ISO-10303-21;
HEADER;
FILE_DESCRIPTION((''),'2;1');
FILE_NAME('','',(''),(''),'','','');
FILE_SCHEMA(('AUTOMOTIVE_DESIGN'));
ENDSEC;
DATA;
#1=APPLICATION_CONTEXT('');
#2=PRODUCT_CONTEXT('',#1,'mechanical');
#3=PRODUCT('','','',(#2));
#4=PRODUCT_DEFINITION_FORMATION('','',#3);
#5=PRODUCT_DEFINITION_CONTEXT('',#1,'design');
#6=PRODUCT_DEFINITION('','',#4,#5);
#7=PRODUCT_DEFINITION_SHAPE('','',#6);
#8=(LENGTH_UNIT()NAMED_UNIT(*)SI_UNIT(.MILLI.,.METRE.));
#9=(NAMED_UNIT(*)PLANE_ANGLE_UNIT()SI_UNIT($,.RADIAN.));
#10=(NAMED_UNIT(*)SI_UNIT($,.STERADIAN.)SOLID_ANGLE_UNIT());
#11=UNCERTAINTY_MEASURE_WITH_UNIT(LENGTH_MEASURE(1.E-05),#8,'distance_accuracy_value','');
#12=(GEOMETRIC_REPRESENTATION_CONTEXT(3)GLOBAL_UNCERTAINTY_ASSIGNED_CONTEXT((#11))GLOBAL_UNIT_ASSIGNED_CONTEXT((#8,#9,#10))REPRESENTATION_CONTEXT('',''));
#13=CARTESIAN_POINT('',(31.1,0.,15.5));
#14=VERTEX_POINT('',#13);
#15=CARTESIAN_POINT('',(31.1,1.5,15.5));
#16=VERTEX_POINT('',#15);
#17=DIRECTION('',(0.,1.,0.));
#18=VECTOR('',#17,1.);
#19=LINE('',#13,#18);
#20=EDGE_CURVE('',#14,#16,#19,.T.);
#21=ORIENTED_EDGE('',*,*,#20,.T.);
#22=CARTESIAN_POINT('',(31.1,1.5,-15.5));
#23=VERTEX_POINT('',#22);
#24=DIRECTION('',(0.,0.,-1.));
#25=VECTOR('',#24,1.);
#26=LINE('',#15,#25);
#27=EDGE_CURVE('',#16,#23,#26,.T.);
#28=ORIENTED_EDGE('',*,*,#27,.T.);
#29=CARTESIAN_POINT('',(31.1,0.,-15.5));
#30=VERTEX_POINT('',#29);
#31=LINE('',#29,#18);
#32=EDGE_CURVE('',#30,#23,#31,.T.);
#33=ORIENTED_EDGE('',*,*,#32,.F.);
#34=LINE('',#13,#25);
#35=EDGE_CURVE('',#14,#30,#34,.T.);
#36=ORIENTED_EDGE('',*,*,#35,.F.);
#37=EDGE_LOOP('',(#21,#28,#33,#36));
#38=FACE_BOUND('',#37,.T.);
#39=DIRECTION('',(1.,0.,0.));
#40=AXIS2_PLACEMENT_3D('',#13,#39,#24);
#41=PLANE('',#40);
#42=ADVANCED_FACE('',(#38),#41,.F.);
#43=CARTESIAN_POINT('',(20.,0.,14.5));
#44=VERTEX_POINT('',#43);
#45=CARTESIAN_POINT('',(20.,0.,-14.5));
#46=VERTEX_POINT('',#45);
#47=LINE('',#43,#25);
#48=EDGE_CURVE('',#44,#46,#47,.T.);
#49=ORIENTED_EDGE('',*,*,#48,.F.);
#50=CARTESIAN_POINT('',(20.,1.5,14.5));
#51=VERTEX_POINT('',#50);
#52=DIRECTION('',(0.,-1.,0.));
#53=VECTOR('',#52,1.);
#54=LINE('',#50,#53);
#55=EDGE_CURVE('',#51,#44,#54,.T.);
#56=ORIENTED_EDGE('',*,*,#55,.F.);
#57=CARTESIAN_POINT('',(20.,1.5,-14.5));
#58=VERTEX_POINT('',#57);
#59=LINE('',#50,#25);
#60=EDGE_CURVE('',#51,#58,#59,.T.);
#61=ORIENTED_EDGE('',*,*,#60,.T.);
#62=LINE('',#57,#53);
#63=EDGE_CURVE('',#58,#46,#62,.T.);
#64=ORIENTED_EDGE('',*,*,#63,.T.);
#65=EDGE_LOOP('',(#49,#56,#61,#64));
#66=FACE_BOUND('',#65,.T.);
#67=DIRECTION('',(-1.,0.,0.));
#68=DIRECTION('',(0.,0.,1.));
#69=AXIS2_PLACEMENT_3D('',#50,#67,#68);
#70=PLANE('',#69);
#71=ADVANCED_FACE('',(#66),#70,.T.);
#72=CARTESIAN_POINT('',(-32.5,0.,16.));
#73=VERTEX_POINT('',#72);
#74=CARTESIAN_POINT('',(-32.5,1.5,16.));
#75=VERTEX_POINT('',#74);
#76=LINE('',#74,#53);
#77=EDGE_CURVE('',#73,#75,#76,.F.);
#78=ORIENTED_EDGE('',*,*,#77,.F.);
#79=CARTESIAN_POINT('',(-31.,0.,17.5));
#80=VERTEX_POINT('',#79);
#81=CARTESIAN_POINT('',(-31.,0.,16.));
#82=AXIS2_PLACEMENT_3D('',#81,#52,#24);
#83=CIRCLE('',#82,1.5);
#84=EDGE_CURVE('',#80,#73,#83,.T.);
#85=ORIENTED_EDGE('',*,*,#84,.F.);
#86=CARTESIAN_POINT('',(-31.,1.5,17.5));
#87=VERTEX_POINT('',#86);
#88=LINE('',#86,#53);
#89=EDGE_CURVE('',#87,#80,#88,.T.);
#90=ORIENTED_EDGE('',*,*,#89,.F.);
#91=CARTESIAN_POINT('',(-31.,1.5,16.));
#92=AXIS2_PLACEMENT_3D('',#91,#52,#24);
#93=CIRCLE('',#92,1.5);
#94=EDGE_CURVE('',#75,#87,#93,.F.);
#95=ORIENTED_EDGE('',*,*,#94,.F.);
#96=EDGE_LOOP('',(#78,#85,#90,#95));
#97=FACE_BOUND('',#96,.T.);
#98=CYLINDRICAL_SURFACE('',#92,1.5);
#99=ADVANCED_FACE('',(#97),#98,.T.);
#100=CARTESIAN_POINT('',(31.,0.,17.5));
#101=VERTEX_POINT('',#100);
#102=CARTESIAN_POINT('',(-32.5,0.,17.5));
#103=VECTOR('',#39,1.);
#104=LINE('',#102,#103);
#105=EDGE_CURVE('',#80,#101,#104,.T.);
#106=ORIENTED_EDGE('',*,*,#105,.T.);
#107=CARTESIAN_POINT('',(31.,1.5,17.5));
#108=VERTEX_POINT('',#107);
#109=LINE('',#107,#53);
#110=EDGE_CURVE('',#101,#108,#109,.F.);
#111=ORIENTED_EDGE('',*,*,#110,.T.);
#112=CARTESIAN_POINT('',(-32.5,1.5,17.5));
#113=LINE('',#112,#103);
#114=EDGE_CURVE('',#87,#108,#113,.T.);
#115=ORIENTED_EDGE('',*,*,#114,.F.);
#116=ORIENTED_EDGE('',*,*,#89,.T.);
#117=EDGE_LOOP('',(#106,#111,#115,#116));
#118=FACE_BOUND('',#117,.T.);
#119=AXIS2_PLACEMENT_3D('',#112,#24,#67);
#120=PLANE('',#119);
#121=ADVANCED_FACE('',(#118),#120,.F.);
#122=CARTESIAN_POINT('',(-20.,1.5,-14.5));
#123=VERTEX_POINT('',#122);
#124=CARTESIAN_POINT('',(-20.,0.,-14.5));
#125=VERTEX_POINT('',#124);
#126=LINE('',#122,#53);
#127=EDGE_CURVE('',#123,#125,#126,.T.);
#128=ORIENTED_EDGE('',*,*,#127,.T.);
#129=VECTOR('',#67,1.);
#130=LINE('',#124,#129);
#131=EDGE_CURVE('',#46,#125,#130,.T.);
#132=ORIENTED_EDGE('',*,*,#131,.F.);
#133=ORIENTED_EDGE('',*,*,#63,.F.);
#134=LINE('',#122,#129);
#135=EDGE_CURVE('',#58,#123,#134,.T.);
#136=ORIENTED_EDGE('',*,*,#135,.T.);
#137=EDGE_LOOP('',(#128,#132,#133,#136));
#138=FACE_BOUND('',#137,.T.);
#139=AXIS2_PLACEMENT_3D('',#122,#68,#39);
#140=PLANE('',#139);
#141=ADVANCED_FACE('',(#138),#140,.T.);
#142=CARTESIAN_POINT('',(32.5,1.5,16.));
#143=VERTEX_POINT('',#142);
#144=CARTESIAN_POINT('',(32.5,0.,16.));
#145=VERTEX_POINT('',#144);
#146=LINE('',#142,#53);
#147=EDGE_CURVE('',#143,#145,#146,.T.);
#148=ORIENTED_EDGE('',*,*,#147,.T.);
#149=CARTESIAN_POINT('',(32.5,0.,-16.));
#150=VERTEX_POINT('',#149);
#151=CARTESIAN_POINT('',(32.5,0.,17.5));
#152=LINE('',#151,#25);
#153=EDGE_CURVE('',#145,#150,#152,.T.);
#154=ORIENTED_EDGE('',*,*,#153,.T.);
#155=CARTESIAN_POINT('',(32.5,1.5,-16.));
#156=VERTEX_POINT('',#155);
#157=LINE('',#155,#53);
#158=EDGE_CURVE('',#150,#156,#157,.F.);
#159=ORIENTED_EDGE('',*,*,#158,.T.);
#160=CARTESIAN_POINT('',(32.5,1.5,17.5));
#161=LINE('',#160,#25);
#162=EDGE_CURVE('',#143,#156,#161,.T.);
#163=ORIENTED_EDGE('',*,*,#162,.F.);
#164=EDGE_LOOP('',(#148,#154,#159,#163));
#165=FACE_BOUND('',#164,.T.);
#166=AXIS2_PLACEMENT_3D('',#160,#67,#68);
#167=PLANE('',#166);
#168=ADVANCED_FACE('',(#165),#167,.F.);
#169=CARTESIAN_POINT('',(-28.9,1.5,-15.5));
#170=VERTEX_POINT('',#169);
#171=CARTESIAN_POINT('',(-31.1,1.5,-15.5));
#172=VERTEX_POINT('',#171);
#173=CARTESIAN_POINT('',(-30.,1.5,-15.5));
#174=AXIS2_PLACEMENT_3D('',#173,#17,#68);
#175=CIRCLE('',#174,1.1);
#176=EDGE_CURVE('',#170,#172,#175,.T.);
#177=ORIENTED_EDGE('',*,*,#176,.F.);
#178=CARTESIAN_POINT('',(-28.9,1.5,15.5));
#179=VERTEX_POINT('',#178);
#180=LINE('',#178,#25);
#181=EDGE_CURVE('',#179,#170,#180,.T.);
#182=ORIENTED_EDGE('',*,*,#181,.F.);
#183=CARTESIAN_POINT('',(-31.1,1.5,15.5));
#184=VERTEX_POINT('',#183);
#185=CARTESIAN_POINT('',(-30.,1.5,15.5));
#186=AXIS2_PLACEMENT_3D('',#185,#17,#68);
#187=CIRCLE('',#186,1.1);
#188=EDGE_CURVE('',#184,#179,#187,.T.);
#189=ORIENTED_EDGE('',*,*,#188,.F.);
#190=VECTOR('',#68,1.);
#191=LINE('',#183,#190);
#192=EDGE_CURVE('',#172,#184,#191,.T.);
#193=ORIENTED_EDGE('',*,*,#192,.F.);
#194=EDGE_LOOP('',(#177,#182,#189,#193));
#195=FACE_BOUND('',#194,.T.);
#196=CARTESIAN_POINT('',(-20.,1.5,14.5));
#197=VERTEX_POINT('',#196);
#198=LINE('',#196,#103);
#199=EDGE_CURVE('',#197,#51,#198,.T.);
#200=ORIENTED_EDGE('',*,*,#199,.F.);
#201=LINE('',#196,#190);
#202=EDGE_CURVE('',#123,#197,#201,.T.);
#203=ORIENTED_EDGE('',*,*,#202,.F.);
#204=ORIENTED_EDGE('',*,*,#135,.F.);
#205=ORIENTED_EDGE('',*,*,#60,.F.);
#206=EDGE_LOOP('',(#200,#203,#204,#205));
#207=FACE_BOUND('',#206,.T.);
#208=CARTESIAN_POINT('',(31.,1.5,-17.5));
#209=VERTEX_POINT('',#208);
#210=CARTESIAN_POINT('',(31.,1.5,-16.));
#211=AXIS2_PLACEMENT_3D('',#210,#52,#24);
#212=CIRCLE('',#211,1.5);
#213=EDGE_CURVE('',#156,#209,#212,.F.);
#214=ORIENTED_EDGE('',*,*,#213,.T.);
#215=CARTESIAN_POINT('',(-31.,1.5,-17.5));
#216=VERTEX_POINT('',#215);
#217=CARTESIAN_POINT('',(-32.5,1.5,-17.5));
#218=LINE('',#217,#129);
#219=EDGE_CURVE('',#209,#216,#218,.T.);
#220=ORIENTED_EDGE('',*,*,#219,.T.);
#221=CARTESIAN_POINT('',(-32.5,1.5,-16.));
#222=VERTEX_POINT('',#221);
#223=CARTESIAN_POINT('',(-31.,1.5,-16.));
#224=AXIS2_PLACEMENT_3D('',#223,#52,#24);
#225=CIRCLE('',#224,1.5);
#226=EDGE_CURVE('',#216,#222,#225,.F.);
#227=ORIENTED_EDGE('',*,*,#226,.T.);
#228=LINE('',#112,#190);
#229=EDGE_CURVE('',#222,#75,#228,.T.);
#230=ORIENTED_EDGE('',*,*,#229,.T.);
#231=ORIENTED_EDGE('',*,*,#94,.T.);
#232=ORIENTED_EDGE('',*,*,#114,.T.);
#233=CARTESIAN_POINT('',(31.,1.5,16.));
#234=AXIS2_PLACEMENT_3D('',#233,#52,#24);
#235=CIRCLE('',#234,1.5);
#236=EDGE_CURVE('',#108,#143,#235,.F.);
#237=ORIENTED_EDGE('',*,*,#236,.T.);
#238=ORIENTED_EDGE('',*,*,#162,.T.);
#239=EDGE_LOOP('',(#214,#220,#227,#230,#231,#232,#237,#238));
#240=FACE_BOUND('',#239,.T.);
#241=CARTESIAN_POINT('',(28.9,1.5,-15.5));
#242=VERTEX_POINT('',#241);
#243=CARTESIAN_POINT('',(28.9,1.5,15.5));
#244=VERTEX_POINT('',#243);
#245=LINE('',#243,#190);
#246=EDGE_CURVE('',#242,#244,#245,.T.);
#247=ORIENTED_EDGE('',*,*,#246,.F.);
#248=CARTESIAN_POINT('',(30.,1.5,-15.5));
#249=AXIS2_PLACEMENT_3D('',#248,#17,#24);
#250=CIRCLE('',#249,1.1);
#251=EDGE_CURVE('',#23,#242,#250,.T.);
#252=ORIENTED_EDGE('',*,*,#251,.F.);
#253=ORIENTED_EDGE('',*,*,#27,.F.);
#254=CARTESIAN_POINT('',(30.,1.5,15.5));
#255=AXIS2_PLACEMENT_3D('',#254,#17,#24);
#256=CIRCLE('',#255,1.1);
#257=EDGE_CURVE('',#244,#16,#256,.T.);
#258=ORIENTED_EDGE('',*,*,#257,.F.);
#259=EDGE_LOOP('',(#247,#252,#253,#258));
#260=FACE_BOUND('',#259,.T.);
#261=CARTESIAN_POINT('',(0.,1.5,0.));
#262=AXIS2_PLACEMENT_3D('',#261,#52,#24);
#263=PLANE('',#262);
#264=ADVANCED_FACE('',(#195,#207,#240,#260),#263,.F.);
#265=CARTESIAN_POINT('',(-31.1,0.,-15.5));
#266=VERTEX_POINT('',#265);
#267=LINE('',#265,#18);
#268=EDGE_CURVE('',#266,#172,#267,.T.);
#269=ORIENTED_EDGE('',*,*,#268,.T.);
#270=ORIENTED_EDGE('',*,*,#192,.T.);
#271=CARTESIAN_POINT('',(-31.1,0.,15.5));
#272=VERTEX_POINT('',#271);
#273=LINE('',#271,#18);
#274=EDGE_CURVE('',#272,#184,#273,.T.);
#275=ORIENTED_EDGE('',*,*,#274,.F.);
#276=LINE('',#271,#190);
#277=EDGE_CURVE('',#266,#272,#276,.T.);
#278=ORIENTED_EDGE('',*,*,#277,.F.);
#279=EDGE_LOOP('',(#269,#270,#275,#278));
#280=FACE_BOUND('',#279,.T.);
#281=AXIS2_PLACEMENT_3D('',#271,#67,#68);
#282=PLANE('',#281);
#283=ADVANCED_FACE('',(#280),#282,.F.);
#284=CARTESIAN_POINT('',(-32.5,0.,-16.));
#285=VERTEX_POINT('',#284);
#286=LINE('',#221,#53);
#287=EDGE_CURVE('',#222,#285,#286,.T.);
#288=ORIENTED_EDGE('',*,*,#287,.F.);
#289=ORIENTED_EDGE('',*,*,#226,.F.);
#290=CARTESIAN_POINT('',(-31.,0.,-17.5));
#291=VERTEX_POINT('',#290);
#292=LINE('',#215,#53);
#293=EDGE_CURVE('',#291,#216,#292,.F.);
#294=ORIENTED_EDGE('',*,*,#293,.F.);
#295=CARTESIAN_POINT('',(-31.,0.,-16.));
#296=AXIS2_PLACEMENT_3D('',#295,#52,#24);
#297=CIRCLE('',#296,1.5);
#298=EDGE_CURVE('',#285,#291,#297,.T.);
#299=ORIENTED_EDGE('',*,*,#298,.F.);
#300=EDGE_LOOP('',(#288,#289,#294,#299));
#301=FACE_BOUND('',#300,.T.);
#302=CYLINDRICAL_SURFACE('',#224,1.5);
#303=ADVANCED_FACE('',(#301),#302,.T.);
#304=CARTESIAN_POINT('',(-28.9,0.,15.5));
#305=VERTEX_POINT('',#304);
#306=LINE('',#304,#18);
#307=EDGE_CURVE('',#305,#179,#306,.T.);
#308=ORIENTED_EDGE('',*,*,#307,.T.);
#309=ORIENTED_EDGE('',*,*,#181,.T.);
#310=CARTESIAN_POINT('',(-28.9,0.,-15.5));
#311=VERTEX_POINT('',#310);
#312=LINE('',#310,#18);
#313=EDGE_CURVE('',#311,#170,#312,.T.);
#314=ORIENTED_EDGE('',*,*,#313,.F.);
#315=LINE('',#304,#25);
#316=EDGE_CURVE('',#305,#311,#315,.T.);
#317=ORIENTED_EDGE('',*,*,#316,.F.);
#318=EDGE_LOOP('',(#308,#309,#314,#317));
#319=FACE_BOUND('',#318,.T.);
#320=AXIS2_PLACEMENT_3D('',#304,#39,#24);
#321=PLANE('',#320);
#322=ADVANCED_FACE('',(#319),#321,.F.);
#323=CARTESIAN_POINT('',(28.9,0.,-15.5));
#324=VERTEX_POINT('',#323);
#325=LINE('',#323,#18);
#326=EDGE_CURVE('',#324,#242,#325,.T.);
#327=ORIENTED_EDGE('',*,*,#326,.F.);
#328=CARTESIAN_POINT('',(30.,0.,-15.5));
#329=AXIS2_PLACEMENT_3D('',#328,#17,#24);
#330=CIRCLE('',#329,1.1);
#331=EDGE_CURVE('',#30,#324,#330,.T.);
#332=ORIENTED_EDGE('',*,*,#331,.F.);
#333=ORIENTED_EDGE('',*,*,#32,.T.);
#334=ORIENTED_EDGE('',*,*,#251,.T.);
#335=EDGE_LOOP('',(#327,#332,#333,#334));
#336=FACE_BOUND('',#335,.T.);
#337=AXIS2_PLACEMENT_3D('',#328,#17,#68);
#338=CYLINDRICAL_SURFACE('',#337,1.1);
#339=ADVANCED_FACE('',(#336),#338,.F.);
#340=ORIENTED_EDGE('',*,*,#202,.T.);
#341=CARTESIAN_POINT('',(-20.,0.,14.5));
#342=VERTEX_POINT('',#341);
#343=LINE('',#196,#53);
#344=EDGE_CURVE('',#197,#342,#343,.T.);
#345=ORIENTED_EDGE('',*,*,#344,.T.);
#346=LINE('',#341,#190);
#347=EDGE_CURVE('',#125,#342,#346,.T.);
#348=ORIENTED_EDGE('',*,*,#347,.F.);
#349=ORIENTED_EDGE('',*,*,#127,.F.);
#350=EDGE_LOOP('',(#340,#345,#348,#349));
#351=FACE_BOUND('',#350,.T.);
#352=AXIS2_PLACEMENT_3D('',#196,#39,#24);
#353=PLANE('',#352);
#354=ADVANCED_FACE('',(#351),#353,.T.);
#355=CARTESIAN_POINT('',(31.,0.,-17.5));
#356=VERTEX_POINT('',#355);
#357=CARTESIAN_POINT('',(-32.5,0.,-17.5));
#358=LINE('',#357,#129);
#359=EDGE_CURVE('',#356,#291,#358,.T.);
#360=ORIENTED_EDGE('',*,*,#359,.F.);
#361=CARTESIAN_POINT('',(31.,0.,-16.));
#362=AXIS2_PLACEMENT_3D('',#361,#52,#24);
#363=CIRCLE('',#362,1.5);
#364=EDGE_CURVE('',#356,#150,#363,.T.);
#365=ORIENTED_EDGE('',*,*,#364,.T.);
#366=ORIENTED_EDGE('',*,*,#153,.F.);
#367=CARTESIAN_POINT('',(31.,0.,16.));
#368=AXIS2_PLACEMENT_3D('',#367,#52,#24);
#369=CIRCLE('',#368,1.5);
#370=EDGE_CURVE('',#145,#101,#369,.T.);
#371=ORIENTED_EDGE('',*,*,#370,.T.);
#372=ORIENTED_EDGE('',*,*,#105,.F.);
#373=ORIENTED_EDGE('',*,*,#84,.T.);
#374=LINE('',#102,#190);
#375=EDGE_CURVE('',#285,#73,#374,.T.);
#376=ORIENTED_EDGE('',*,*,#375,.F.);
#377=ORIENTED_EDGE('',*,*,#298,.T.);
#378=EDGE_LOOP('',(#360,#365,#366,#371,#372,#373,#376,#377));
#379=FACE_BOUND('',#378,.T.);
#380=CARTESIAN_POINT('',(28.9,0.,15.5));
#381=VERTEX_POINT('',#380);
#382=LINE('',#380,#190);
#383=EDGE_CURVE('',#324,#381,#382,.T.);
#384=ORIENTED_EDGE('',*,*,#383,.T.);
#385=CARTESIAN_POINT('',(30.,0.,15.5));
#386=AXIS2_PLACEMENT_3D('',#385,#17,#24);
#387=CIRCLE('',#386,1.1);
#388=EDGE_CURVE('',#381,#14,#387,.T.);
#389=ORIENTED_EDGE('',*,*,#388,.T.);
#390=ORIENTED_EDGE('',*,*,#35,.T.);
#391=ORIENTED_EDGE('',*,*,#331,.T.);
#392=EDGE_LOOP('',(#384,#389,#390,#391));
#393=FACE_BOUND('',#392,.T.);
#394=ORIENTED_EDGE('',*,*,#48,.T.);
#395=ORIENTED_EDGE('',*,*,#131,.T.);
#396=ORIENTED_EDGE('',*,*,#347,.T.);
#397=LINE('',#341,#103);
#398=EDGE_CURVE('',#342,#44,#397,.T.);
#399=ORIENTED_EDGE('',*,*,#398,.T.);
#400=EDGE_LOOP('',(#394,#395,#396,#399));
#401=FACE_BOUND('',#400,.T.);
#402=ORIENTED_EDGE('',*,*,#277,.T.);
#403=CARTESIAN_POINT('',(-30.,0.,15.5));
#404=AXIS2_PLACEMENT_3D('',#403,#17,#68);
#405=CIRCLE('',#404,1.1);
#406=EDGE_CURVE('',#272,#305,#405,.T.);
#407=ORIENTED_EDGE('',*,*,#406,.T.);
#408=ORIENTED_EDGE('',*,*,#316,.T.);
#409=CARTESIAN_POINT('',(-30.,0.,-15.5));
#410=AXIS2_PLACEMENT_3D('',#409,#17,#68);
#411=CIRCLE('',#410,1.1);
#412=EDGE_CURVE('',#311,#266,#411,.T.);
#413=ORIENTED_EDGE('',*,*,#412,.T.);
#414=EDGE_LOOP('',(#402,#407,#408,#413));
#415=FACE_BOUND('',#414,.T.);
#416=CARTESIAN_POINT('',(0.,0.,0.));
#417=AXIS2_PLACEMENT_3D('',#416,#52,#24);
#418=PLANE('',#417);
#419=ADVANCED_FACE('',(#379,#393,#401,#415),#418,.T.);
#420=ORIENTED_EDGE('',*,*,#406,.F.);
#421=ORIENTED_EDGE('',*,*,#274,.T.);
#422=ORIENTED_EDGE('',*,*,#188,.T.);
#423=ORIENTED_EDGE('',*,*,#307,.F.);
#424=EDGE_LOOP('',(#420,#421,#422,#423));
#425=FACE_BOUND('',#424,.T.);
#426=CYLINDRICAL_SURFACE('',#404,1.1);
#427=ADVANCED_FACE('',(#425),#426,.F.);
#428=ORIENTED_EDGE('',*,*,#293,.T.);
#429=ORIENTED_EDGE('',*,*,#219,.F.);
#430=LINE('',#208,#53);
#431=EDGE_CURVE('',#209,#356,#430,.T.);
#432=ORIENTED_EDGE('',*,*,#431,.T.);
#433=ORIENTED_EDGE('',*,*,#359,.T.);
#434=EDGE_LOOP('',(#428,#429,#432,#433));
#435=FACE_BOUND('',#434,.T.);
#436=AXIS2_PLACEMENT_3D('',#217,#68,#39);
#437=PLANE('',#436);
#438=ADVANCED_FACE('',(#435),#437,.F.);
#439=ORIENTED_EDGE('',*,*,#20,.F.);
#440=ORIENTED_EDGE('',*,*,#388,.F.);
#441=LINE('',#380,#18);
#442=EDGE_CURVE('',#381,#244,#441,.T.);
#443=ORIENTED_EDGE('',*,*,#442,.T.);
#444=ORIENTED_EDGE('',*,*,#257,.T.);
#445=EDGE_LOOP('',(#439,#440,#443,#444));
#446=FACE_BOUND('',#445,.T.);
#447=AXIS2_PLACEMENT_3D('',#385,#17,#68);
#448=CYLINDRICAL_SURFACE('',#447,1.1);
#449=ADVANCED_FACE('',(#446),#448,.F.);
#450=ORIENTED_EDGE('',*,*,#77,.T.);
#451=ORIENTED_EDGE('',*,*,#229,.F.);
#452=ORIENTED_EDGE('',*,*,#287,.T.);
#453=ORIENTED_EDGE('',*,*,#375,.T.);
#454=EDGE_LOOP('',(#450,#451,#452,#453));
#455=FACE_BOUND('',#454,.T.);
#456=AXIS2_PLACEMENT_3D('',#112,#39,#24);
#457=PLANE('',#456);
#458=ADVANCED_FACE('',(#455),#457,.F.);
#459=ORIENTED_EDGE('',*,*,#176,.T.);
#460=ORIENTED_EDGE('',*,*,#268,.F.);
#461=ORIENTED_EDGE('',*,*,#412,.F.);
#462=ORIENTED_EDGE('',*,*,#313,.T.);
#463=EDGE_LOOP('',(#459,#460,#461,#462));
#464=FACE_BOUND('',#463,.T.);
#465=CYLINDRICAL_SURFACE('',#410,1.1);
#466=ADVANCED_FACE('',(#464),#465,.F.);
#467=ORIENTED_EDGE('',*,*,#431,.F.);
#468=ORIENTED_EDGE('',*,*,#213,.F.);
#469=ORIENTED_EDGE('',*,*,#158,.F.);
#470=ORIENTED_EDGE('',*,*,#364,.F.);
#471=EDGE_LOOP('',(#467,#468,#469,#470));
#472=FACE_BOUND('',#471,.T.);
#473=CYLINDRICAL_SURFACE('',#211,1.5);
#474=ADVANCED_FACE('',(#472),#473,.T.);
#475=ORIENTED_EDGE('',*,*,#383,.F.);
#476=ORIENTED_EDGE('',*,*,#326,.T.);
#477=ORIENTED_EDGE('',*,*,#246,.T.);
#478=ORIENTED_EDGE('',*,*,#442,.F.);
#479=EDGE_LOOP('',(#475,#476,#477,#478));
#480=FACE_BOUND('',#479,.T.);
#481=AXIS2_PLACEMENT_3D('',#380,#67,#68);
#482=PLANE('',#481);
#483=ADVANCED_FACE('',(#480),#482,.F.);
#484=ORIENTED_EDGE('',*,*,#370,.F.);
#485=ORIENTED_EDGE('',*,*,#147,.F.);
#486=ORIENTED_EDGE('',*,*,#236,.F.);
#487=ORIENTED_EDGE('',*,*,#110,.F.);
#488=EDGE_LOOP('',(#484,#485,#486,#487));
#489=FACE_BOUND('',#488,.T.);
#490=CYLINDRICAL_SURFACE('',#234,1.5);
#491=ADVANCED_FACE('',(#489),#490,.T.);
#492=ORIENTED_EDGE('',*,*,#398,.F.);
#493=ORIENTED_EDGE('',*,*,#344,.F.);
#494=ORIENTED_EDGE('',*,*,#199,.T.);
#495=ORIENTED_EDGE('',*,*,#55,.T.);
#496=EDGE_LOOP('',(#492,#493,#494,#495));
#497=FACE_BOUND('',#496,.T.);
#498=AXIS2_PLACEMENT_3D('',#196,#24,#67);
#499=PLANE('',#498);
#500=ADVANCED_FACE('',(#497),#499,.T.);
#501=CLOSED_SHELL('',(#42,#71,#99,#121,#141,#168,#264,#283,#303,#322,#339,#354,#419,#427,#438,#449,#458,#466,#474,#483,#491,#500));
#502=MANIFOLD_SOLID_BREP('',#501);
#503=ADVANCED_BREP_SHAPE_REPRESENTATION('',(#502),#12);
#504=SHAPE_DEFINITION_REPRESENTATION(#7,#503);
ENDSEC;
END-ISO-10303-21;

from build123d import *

# Parameters (mm, degrees)
SKETCH1_W           = 65
SKETCH1_H           = 35
SKETCH1_W_2         = 40
SKETCH1_H_2         = 29
BOSS_EXTRUDE1_DEPTH = 1.5
CUT_EXTRUDE1_DEPTH  = 2.5
FILLET2_R           = 1.5


with BuildPart() as part:
    # Sketch1 → Boss-Extrude1 (new body)
    with BuildSketch(Plane(origin=(0, 0, 0), x_dir=(1, 0, 0), z_dir=(0, 1, 0))):
        Rectangle(SKETCH1_W, SKETCH1_H)
        Rectangle(SKETCH1_W_2, SKETCH1_H_2, mode=Mode.SUBTRACT)
    extrude(amount=BOSS_EXTRUDE1_DEPTH)

    # Sketch2 → Cut-Extrude1 (cut, through all)
    with BuildSketch(Plane(origin=(0, 1.5, 0), x_dir=(1, 0, 0), z_dir=(0, 1, 0))):
        with BuildLine():
            Line((-31.1, -15.5), (-31.1, 15.5))
            ThreePointArc((-31.1, 15.5), (-30, 16.6), (-28.9, 15.5))
            Line((-28.9, 15.5), (-28.9, -15.5))
            ThreePointArc((-28.9, -15.5), (-30, -16.6), (-31.1, -15.5))
        make_face()
        with BuildLine():
            Line((31.1, -15.5), (31.1, 15.5))
            ThreePointArc((31.1, 15.5), (30, 16.6), (28.9, 15.5))
            Line((28.9, 15.5), (28.9, -15.5))
            ThreePointArc((28.9, -15.5), (30, -16.6), (31.1, -15.5))
        make_face()
    extrude(amount=-CUT_EXTRUDE1_DEPTH, mode=Mode.SUBTRACT)

    # Fillet2
    fillet2_edges = [part.edges().sort_by_distance(p)[0] for p in [
        (32.5, 0.75, 17.5),
        (-32.5, 0.75, 17.5),
        (-32.5, 0.75, -17.5),
        (32.5, 0.75, -17.5),
    ]]
    fillet(fillet2_edges, radius=FILLET2_R)


solid = part.part
